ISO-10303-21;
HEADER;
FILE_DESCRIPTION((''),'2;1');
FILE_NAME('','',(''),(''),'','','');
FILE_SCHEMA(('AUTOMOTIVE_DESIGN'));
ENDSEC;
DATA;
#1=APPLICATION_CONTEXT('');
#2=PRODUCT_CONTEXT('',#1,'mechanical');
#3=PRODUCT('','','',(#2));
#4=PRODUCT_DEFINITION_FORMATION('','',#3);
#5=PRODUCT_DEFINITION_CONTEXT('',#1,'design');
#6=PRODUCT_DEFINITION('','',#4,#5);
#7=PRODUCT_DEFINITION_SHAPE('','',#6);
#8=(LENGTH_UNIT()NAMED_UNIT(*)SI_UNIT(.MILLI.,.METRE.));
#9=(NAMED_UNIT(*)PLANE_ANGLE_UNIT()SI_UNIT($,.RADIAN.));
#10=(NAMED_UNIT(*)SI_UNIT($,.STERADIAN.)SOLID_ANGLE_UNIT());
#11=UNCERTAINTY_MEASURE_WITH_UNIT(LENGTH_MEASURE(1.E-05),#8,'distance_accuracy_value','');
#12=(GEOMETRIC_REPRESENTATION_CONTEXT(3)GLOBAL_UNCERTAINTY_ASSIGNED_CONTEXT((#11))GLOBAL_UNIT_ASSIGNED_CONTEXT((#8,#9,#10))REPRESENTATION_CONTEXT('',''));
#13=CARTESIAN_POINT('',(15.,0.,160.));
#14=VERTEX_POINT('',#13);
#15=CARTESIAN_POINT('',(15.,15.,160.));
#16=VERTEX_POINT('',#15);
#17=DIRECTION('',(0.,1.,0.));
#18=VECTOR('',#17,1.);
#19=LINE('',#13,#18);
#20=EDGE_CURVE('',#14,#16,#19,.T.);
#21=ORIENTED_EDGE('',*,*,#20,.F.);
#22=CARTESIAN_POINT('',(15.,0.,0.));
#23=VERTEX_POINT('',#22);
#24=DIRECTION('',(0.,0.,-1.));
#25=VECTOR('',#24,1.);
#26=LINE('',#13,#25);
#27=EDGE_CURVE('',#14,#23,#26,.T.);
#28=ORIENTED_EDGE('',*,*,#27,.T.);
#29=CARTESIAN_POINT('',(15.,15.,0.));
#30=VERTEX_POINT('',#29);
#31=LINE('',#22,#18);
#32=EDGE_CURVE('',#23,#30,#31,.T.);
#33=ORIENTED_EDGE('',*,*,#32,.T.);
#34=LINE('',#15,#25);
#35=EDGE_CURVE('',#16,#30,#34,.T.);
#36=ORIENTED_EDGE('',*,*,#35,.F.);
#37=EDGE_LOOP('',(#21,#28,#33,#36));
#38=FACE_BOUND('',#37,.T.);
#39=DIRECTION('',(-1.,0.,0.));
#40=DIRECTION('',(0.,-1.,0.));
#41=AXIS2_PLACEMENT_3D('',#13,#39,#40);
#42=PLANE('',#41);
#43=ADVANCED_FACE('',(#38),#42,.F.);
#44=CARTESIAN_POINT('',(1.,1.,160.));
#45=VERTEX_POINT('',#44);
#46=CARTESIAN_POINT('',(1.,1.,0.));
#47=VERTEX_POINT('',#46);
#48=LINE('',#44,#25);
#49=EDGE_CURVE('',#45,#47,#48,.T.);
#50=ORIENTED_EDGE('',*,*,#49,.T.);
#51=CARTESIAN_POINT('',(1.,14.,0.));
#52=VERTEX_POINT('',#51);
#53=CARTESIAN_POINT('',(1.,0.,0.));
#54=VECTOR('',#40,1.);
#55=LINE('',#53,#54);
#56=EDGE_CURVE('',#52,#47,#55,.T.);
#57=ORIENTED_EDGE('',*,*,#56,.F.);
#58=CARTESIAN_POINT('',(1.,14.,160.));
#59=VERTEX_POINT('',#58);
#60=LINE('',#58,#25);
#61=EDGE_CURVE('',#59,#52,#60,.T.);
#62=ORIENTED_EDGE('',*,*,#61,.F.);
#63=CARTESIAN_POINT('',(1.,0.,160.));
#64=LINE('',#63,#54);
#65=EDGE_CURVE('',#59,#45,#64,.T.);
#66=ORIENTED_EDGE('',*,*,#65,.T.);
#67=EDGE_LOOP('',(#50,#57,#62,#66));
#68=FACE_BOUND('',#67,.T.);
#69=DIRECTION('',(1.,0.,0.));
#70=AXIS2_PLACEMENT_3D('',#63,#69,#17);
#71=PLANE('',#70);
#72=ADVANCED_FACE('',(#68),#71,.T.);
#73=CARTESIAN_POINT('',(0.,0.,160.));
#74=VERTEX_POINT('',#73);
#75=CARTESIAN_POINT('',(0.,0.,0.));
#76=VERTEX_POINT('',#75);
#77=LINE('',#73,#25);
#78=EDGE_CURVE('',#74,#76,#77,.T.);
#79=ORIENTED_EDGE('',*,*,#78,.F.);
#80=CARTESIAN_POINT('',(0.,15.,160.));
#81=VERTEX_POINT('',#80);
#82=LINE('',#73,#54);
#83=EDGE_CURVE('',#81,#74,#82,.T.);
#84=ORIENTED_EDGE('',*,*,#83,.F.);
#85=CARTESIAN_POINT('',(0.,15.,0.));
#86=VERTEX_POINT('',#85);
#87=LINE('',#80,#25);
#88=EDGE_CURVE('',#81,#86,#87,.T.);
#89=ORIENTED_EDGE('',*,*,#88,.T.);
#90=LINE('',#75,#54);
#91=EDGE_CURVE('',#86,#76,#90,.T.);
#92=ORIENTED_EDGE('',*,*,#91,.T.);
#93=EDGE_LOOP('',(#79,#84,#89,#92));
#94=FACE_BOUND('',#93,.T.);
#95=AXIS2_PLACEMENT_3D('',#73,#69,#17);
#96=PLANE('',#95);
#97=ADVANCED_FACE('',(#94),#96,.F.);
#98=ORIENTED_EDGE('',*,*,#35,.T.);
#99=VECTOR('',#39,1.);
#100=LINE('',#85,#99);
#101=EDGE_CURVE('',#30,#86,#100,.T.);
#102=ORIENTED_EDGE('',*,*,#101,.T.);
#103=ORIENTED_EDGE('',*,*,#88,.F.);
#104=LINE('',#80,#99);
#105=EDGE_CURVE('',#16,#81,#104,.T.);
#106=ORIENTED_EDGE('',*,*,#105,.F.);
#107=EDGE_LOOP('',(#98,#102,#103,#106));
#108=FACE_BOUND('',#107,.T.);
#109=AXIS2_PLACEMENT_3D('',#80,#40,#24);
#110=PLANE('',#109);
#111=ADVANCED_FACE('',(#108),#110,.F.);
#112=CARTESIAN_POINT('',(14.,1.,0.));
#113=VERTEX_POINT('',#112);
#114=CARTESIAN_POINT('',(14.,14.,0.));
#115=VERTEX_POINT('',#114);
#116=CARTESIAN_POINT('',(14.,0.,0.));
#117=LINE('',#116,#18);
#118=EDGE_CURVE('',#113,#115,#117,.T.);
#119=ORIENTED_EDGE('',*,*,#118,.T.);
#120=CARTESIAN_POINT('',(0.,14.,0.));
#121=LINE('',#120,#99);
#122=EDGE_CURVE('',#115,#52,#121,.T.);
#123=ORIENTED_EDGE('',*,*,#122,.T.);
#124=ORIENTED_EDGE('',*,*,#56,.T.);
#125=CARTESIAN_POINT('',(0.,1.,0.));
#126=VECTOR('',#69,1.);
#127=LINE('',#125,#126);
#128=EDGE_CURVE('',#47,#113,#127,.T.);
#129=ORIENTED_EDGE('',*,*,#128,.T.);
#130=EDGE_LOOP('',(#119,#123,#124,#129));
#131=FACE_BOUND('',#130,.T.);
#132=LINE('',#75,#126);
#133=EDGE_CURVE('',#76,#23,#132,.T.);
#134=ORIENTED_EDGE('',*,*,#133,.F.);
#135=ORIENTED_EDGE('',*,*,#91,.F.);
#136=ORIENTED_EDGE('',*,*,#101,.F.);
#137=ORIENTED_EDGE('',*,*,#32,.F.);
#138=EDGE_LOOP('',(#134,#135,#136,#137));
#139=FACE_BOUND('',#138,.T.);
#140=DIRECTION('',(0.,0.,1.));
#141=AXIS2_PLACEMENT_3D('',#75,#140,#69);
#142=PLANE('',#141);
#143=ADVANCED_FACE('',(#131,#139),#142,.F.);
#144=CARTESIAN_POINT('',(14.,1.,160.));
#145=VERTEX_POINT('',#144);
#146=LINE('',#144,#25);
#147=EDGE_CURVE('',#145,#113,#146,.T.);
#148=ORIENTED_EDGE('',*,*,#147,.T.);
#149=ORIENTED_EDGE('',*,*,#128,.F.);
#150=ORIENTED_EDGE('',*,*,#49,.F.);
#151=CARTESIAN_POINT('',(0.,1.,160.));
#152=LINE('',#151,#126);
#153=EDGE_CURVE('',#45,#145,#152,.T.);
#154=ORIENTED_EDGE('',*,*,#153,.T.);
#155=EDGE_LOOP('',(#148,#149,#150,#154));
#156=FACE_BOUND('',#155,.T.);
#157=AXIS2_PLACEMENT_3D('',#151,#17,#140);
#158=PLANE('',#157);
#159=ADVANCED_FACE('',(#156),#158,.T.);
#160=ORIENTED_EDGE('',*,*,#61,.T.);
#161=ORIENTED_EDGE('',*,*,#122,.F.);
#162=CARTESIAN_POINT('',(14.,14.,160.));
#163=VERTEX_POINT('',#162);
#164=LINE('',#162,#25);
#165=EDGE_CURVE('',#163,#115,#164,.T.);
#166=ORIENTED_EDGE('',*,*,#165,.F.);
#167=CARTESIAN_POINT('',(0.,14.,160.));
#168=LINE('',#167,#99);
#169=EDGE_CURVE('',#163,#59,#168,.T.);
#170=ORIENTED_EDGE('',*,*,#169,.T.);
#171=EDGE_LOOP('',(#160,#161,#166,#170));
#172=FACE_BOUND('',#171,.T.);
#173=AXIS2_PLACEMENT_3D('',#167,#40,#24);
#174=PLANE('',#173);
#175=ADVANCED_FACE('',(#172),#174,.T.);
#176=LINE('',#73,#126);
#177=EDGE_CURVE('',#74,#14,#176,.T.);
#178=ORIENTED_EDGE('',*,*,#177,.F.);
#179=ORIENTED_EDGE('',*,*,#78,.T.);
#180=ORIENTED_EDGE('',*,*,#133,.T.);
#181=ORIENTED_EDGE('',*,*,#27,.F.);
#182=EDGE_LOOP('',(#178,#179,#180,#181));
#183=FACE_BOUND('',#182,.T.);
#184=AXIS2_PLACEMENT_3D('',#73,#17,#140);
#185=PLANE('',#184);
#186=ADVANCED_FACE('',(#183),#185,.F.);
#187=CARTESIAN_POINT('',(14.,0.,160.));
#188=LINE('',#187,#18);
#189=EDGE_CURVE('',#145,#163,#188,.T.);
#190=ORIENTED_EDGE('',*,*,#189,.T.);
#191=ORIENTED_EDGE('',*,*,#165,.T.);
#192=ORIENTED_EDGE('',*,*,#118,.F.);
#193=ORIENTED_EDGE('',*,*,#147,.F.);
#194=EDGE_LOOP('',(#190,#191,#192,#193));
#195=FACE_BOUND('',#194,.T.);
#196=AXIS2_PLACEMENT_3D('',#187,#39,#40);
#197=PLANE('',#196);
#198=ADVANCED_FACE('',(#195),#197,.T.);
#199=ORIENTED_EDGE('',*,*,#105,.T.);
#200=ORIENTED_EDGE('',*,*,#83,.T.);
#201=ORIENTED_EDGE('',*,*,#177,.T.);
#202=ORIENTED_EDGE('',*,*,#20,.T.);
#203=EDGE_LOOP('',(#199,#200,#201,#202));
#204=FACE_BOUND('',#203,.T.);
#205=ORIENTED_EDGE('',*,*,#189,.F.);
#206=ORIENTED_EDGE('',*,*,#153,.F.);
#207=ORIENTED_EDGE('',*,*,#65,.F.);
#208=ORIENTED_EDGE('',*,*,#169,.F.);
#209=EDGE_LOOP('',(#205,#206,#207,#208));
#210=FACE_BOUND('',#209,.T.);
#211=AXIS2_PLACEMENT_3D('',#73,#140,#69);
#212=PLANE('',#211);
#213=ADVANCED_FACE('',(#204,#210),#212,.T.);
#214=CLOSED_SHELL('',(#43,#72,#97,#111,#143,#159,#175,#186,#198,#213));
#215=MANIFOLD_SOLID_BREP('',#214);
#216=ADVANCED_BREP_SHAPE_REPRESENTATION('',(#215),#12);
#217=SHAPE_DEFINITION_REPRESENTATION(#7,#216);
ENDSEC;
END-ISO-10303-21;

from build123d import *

# Parameters (mm, degrees)
SKETCH3_W           = 15
SKETCH3_H           = 15
SKETCH3_W_2         = 13
SKETCH3_H_2         = 13
EXTRUDE_THIN1_DEPTH = 160


with BuildPart() as part:
    # Sketch3 → Extrude-Thin1 (new body)
    with BuildSketch(Plane.XY):
        with Locations((7.5, 7.5)):
            Rectangle(SKETCH3_W, SKETCH3_H)
        with Locations((7.5, 7.5)):
            Rectangle(SKETCH3_W_2, SKETCH3_H_2, mode=Mode.SUBTRACT)
    extrude(amount=EXTRUDE_THIN1_DEPTH)


solid = part.part
